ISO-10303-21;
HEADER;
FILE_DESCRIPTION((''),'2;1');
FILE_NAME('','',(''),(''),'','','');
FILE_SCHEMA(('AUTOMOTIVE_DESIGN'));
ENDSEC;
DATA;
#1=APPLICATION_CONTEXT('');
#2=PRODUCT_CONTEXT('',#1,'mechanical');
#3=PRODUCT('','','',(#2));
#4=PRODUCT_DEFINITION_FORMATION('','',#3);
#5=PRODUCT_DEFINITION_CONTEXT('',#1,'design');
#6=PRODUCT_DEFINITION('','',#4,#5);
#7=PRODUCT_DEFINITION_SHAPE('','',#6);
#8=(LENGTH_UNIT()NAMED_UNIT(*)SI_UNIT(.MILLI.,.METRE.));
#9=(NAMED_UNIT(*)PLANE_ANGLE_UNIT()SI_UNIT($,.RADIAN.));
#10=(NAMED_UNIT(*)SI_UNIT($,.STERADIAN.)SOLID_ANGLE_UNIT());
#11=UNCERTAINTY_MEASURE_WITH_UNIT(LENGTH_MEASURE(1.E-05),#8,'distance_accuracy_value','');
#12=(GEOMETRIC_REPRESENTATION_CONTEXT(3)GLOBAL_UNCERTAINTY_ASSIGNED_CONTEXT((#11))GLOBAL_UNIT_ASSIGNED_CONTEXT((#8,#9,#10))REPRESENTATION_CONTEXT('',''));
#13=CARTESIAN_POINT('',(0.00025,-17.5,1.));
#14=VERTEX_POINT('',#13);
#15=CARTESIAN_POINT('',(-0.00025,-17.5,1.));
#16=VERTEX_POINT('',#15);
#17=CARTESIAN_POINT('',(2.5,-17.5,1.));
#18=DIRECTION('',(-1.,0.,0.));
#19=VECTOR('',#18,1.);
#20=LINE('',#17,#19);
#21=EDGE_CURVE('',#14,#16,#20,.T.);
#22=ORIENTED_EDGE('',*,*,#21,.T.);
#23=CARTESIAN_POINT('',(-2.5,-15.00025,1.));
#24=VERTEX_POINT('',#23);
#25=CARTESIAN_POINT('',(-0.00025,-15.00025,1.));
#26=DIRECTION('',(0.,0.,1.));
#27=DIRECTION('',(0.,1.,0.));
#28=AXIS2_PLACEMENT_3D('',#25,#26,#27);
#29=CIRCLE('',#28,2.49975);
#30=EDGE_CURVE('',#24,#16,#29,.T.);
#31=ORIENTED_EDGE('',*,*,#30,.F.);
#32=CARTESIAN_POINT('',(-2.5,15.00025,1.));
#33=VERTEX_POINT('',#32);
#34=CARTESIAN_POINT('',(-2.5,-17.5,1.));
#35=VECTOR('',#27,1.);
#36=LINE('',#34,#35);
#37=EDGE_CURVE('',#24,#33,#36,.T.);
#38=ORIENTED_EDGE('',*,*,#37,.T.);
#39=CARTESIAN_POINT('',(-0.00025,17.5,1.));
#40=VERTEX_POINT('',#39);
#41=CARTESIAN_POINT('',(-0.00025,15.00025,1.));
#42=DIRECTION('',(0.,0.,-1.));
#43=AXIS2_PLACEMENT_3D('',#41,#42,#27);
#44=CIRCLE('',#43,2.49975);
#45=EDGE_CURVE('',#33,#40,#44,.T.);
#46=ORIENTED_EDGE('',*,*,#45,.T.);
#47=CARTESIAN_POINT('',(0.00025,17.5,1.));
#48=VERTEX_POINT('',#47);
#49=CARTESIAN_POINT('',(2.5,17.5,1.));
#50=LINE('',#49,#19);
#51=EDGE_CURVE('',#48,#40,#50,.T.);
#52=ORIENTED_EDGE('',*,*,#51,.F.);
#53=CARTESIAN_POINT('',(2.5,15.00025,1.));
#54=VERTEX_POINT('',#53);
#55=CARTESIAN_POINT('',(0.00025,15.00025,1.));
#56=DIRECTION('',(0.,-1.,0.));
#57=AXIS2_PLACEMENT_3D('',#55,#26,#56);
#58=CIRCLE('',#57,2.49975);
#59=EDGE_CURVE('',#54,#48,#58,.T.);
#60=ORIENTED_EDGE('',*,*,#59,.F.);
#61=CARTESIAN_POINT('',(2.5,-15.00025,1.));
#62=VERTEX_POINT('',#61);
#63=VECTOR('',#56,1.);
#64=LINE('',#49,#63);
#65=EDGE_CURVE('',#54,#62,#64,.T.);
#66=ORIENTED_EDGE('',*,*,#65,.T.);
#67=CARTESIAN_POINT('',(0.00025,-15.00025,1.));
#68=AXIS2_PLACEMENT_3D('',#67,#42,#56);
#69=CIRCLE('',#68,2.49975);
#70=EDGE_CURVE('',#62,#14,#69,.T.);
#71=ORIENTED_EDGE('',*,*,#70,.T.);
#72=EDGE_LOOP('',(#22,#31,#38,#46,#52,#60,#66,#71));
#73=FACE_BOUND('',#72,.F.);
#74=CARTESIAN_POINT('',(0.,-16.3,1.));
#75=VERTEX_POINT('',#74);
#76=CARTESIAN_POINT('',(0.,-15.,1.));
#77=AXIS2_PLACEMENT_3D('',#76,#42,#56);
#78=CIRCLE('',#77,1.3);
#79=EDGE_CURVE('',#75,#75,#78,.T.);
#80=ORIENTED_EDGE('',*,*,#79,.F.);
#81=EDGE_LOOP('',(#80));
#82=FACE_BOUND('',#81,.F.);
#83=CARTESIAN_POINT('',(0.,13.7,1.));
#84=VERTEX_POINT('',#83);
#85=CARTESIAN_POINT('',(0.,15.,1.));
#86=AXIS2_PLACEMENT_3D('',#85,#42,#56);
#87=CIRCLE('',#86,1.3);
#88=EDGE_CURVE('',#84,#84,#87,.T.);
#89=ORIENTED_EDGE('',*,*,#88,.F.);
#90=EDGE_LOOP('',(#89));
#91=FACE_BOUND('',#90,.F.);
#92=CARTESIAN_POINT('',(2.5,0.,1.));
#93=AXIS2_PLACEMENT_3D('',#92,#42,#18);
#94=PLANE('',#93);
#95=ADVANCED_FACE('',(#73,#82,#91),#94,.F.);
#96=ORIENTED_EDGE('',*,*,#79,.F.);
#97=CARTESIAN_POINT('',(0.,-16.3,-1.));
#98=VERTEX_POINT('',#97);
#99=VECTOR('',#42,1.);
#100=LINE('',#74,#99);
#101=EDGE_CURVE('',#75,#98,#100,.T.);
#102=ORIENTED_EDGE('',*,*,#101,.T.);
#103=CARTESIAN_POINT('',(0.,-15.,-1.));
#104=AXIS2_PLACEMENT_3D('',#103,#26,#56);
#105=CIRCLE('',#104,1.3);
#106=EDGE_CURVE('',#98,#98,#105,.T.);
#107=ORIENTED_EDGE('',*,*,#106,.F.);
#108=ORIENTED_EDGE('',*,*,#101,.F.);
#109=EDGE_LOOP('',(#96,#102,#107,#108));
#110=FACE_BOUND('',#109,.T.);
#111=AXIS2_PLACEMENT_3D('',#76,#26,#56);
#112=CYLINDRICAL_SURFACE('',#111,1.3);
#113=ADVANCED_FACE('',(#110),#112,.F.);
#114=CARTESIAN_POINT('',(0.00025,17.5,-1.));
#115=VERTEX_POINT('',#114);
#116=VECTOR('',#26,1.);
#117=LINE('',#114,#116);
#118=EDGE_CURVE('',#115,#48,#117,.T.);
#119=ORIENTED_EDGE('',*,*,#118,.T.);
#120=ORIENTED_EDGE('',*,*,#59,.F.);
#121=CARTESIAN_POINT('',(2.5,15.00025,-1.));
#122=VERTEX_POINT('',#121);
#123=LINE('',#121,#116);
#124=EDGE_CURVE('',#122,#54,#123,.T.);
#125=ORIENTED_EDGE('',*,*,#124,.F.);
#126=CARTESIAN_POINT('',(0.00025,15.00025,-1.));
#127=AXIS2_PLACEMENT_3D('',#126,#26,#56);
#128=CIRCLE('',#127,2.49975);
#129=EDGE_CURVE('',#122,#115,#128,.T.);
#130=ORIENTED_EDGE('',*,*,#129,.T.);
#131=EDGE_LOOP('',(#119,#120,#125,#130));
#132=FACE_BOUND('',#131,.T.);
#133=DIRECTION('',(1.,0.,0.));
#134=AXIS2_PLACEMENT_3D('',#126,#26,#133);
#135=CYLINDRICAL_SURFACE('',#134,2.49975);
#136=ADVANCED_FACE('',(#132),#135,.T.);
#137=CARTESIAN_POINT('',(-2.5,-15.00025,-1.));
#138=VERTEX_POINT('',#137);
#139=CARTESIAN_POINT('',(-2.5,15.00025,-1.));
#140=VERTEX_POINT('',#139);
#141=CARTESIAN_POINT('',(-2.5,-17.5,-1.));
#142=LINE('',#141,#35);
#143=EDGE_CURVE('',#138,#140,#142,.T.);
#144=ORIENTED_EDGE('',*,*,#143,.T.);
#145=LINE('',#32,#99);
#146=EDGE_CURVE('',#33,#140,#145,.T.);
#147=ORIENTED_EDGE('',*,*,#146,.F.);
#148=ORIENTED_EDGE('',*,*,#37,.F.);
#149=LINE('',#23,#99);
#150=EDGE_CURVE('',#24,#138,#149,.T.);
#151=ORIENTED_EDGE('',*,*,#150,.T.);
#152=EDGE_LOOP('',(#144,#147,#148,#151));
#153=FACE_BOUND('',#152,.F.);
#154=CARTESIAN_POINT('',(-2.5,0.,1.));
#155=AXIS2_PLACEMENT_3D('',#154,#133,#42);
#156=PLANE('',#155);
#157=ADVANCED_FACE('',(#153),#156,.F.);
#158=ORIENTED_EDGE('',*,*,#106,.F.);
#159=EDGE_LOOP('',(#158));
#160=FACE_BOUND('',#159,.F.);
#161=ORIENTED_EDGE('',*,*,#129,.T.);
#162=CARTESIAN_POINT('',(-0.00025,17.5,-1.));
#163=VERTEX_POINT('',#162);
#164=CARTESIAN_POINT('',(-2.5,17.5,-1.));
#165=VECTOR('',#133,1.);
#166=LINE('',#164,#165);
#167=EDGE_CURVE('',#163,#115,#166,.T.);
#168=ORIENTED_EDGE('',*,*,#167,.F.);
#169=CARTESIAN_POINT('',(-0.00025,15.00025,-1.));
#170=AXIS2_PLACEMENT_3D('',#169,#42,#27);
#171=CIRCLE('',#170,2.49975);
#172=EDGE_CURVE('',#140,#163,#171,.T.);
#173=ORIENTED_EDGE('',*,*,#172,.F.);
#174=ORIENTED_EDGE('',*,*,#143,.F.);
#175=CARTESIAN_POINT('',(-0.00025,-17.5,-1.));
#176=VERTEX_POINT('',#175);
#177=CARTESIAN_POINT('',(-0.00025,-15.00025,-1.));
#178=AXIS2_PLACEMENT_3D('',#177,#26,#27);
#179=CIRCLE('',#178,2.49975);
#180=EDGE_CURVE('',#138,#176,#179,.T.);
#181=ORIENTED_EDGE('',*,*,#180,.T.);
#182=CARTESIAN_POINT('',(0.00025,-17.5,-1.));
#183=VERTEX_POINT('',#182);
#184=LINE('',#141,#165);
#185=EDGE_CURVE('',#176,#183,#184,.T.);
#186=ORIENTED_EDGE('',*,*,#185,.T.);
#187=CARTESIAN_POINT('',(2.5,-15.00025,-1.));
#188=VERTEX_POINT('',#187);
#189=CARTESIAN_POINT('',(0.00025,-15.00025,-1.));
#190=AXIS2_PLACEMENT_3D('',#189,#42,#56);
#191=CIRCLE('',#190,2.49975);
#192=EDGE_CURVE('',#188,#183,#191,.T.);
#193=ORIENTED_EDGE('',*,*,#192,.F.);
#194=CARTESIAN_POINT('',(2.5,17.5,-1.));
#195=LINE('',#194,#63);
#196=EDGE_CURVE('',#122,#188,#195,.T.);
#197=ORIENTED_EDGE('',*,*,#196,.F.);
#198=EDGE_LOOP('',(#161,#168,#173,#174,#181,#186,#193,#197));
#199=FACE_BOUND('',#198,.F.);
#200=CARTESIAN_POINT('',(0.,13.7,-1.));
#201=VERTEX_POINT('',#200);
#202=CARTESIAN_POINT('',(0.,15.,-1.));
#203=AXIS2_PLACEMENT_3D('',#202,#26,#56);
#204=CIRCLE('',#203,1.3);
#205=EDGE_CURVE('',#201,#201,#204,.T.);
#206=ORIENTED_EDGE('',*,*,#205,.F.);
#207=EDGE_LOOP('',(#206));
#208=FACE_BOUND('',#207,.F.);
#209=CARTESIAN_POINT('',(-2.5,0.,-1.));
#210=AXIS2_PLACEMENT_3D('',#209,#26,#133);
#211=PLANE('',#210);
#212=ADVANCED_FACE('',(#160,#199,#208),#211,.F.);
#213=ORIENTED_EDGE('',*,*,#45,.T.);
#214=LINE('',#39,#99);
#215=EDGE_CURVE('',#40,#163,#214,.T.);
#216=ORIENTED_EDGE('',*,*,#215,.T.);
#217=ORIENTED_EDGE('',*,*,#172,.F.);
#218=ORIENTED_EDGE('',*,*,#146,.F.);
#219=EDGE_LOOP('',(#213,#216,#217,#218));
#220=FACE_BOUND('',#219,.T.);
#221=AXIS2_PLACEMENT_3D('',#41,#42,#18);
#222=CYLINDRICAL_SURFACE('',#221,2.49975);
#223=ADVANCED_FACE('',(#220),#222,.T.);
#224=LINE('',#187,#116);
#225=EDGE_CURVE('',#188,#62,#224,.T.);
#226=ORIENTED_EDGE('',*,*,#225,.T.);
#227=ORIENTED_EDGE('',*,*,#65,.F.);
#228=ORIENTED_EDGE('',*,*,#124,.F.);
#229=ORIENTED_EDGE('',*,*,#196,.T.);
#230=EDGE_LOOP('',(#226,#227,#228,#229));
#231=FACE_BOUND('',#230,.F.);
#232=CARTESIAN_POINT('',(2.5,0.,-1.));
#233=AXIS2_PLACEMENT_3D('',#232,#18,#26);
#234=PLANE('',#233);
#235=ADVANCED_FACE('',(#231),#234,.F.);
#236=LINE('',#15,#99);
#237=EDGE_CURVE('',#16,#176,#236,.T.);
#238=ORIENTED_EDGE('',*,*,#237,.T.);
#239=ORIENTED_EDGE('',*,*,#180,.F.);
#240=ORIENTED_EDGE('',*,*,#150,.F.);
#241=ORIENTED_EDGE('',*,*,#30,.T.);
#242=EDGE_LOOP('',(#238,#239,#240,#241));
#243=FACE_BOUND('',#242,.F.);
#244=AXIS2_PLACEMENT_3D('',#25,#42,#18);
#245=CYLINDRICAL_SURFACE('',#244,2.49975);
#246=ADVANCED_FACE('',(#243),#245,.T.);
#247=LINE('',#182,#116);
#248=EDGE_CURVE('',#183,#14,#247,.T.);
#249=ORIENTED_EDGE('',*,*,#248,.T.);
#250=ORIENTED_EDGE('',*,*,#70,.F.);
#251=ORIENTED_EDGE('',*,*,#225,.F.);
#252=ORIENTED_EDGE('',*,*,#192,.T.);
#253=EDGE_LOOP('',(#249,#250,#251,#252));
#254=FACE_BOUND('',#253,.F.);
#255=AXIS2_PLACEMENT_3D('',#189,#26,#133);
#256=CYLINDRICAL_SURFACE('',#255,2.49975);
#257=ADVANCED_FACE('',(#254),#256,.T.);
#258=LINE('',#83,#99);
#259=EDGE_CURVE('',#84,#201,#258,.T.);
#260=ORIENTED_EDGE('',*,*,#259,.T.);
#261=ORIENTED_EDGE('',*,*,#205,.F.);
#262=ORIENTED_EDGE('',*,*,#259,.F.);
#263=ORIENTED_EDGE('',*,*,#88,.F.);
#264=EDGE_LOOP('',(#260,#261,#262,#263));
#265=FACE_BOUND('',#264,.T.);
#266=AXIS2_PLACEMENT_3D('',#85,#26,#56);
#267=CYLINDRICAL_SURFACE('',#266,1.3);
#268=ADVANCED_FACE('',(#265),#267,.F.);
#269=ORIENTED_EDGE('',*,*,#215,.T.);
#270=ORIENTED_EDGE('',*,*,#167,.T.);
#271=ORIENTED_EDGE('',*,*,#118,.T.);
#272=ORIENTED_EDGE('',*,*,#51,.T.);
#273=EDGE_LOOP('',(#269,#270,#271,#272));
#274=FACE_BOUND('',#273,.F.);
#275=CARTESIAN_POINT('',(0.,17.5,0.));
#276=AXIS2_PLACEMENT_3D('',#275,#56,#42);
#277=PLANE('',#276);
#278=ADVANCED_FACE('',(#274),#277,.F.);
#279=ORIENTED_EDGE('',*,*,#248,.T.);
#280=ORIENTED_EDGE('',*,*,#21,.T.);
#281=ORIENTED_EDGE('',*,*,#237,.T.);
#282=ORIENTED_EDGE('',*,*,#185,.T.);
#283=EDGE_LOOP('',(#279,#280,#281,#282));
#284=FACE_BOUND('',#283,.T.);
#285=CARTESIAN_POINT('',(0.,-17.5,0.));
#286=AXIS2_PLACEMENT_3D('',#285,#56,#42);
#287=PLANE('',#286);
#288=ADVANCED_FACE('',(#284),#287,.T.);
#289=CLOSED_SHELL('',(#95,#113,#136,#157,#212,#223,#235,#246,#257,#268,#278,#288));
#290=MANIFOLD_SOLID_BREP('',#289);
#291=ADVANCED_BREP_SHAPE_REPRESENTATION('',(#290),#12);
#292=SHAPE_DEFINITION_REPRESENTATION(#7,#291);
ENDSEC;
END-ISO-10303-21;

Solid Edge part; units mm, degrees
sketch "Sketch1" plane through (0, 0, 0) normal (0, -1, 0) x (1, 0, 0)
  line L0 (-2.5, -1) -> (2.5, -1)
  line L1 (2.5, -1) -> (2.5, 1)
  line L2 (2.5, 1) -> (-2.5, 1)
  line L3 (-2.5, 1) -> (-2.5, -1)
extrude "Protrusion1" add sketch "Sketch1" along normal mid plane 35
fillet "Round_2" radius 2.5 4 edges at (-2.5, -17.5, 0) (2.5, -17.5, 0) (2.5, 17.5, 0) (-2.5, 17.5, 0)
hole "Hole_2" at (0, -15, 1) direction (0, 0, -1) diameter 2.6 end through all
hole "Hole1" at (0, 15, 1) direction (0, 0, -1) diameter 2.6 end through all
properties material "ABS Plastic, high impact"
